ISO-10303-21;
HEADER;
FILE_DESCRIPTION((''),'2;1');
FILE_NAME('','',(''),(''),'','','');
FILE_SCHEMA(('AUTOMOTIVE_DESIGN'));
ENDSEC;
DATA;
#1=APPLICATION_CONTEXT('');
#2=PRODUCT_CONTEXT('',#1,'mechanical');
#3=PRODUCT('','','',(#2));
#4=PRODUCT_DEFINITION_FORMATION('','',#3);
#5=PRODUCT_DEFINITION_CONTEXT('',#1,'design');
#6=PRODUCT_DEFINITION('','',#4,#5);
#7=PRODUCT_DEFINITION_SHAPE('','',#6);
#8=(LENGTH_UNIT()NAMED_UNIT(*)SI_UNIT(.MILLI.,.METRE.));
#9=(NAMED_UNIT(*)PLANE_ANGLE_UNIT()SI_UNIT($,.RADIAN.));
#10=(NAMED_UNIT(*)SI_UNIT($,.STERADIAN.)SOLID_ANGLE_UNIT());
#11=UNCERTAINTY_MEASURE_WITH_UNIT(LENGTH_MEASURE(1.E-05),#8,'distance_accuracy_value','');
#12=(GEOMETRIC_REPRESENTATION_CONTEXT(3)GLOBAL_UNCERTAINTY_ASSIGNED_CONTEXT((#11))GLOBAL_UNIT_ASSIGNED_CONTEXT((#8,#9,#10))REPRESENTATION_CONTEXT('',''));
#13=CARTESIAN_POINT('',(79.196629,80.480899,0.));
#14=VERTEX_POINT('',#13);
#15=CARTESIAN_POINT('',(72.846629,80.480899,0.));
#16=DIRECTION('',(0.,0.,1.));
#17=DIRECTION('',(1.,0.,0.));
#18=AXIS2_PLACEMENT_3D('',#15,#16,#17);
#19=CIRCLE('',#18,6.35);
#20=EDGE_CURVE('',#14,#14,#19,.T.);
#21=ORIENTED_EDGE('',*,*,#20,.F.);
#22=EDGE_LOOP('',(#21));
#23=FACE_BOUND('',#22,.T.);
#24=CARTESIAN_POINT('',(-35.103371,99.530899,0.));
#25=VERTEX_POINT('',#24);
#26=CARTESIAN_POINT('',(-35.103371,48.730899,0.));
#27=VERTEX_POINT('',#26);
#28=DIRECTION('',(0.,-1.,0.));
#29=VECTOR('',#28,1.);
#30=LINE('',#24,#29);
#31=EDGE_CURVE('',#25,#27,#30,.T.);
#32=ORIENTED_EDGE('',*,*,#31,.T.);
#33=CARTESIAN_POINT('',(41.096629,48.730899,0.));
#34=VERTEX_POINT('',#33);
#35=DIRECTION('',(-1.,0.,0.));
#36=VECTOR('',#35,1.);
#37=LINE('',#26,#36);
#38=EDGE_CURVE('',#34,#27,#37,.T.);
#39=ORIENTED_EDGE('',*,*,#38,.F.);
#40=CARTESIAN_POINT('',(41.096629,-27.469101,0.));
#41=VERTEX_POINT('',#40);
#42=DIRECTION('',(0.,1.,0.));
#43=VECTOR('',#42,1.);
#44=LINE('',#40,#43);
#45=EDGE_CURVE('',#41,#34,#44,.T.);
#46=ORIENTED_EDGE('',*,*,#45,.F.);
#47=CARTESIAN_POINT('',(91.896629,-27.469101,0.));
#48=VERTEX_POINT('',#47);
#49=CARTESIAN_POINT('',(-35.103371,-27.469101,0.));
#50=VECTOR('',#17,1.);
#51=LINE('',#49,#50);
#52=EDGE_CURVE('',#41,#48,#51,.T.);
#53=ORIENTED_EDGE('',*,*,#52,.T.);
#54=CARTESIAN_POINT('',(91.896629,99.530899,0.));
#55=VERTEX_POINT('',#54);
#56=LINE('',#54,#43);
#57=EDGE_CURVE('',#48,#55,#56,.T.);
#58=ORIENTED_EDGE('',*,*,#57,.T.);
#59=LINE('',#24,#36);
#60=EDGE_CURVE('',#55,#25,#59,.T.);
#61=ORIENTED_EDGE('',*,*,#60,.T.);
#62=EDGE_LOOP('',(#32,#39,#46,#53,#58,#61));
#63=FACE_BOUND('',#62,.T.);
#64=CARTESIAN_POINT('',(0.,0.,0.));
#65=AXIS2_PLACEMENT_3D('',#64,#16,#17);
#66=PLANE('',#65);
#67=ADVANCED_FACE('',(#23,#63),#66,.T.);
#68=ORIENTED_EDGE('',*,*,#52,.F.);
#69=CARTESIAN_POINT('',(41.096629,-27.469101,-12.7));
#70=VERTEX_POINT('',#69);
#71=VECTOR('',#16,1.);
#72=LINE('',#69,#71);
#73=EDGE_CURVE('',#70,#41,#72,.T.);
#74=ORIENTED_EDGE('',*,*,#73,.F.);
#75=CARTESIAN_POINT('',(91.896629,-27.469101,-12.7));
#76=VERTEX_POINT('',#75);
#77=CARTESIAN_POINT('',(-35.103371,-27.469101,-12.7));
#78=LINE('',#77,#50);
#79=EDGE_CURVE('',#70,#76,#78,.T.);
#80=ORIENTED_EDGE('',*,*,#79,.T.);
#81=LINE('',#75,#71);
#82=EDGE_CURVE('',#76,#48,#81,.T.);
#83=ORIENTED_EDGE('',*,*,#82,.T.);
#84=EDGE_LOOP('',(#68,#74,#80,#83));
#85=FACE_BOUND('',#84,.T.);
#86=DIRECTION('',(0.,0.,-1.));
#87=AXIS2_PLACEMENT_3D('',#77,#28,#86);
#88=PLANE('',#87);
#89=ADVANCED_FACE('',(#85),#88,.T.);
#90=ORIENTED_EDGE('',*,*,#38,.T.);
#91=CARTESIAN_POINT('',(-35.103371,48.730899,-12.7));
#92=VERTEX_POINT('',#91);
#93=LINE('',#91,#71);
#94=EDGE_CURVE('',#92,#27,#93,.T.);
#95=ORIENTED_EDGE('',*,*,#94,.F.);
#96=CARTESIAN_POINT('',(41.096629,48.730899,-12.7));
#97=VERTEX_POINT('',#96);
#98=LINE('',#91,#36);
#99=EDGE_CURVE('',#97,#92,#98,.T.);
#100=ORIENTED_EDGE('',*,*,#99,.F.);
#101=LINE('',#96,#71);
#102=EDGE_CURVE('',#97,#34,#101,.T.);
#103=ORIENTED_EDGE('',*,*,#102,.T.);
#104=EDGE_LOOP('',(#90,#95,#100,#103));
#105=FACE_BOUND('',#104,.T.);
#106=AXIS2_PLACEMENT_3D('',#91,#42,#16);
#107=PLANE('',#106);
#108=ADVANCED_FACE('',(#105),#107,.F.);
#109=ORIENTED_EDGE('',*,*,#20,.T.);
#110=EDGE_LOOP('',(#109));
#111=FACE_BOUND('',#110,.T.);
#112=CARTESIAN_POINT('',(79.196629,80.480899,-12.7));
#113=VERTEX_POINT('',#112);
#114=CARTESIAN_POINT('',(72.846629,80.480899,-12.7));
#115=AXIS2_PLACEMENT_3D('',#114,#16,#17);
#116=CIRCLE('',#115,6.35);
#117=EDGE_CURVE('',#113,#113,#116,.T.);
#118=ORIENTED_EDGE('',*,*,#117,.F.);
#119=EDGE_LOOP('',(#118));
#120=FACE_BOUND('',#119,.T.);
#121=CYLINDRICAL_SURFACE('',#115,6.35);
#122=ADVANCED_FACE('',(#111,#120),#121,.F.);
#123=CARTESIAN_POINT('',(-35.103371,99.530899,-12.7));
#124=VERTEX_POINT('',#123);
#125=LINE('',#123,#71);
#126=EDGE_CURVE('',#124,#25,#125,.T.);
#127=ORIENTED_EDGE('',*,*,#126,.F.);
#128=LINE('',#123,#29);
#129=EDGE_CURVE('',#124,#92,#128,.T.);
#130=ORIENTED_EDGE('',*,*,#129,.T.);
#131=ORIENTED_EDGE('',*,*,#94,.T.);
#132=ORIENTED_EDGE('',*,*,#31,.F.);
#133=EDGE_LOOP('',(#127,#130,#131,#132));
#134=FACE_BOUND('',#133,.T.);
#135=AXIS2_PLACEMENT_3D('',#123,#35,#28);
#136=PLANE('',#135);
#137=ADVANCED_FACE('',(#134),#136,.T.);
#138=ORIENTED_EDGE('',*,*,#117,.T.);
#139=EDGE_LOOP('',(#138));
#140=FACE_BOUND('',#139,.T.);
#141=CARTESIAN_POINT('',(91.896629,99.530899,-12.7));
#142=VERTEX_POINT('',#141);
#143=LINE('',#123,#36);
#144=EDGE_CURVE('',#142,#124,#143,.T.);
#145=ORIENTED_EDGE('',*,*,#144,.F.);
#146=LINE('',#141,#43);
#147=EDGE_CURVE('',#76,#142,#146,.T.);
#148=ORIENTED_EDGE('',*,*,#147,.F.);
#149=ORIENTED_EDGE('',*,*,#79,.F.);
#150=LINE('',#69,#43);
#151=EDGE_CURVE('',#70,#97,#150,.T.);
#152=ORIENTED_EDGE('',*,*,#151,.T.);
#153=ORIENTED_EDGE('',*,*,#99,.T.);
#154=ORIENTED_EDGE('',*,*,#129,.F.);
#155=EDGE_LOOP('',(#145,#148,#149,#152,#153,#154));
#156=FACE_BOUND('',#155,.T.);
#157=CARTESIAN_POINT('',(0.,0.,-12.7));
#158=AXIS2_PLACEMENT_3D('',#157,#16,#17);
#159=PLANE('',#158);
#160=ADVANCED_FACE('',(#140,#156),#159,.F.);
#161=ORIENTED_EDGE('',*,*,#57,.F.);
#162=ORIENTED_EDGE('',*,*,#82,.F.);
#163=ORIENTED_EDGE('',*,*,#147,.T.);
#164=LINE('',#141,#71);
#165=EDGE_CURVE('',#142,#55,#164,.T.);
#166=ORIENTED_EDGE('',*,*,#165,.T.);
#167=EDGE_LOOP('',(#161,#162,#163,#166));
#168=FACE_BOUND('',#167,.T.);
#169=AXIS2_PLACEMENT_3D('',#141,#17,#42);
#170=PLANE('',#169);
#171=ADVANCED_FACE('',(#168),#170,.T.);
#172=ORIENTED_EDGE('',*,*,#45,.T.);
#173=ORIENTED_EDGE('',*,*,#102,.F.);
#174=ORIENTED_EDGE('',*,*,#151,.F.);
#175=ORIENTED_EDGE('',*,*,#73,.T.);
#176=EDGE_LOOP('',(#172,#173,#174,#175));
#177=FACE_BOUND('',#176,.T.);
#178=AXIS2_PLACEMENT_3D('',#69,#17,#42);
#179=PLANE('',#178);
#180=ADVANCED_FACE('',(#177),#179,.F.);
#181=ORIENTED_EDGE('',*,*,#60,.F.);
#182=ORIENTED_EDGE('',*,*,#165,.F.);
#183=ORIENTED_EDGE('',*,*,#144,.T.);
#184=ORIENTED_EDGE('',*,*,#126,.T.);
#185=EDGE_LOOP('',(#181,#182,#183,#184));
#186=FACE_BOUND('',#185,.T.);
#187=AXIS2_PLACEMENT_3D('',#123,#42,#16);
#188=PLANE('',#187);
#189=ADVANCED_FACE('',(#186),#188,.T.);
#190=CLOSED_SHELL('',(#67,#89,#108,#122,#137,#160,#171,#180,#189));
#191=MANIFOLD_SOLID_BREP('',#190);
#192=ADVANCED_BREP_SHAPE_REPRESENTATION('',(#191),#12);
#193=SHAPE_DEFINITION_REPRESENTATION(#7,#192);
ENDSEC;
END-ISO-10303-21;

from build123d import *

# Parameters (mm, degrees)
SKETCH1_W               = 127
SKETCH1_H               = 127
BOSS_EXTRUDE1_DEPTH     = 12.7
CUT_EXTRUDE1_DEPTH      = 137.061310783
CUT_EXTRUDE1_DEPTH_BACK = 137.061310783
SKETCH3_W               = 76.2
SKETCH3_H               = 76.2
CUT_EXTRUDE2_DEPTH      = 137.061310783
CUT_EXTRUDE2_DEPTH_BACK = 137.061310783
SKETCH4_R               = 6.35


with BuildPart() as part:
    # Sketch1 → Boss-Extrude1 (new body)
    with BuildSketch(Plane.XY):
        with Locations((28.396629213, 36.030898876)):
            Rectangle(SKETCH1_W, SKETCH1_H)
    extrude(amount=-BOSS_EXTRUDE1_DEPTH)

    # Sketch3 → Cut-Extrude1 (cut, two sides: drawn at the far end of the back side and taken through both)
    with BuildSketch(Plane.XY.offset(-CUT_EXTRUDE1_DEPTH_BACK)):
        with Locations((2.996629213, 10.630898876)):
            Rectangle(SKETCH3_W, SKETCH3_H)
    extrude(amount=CUT_EXTRUDE1_DEPTH + CUT_EXTRUDE1_DEPTH_BACK, mode=Mode.SUBTRACT)

    # Sketch4 → Cut-Extrude2 (cut, two sides: drawn at the far end of the back side and taken through both)
    with BuildSketch(Plane.XY.offset(-CUT_EXTRUDE2_DEPTH_BACK)):
        with Locations((72.846629213, 80.480898876)):
            Circle(SKETCH4_R)
    extrude(amount=CUT_EXTRUDE2_DEPTH + CUT_EXTRUDE2_DEPTH_BACK, mode=Mode.SUBTRACT)


solid = part.part
